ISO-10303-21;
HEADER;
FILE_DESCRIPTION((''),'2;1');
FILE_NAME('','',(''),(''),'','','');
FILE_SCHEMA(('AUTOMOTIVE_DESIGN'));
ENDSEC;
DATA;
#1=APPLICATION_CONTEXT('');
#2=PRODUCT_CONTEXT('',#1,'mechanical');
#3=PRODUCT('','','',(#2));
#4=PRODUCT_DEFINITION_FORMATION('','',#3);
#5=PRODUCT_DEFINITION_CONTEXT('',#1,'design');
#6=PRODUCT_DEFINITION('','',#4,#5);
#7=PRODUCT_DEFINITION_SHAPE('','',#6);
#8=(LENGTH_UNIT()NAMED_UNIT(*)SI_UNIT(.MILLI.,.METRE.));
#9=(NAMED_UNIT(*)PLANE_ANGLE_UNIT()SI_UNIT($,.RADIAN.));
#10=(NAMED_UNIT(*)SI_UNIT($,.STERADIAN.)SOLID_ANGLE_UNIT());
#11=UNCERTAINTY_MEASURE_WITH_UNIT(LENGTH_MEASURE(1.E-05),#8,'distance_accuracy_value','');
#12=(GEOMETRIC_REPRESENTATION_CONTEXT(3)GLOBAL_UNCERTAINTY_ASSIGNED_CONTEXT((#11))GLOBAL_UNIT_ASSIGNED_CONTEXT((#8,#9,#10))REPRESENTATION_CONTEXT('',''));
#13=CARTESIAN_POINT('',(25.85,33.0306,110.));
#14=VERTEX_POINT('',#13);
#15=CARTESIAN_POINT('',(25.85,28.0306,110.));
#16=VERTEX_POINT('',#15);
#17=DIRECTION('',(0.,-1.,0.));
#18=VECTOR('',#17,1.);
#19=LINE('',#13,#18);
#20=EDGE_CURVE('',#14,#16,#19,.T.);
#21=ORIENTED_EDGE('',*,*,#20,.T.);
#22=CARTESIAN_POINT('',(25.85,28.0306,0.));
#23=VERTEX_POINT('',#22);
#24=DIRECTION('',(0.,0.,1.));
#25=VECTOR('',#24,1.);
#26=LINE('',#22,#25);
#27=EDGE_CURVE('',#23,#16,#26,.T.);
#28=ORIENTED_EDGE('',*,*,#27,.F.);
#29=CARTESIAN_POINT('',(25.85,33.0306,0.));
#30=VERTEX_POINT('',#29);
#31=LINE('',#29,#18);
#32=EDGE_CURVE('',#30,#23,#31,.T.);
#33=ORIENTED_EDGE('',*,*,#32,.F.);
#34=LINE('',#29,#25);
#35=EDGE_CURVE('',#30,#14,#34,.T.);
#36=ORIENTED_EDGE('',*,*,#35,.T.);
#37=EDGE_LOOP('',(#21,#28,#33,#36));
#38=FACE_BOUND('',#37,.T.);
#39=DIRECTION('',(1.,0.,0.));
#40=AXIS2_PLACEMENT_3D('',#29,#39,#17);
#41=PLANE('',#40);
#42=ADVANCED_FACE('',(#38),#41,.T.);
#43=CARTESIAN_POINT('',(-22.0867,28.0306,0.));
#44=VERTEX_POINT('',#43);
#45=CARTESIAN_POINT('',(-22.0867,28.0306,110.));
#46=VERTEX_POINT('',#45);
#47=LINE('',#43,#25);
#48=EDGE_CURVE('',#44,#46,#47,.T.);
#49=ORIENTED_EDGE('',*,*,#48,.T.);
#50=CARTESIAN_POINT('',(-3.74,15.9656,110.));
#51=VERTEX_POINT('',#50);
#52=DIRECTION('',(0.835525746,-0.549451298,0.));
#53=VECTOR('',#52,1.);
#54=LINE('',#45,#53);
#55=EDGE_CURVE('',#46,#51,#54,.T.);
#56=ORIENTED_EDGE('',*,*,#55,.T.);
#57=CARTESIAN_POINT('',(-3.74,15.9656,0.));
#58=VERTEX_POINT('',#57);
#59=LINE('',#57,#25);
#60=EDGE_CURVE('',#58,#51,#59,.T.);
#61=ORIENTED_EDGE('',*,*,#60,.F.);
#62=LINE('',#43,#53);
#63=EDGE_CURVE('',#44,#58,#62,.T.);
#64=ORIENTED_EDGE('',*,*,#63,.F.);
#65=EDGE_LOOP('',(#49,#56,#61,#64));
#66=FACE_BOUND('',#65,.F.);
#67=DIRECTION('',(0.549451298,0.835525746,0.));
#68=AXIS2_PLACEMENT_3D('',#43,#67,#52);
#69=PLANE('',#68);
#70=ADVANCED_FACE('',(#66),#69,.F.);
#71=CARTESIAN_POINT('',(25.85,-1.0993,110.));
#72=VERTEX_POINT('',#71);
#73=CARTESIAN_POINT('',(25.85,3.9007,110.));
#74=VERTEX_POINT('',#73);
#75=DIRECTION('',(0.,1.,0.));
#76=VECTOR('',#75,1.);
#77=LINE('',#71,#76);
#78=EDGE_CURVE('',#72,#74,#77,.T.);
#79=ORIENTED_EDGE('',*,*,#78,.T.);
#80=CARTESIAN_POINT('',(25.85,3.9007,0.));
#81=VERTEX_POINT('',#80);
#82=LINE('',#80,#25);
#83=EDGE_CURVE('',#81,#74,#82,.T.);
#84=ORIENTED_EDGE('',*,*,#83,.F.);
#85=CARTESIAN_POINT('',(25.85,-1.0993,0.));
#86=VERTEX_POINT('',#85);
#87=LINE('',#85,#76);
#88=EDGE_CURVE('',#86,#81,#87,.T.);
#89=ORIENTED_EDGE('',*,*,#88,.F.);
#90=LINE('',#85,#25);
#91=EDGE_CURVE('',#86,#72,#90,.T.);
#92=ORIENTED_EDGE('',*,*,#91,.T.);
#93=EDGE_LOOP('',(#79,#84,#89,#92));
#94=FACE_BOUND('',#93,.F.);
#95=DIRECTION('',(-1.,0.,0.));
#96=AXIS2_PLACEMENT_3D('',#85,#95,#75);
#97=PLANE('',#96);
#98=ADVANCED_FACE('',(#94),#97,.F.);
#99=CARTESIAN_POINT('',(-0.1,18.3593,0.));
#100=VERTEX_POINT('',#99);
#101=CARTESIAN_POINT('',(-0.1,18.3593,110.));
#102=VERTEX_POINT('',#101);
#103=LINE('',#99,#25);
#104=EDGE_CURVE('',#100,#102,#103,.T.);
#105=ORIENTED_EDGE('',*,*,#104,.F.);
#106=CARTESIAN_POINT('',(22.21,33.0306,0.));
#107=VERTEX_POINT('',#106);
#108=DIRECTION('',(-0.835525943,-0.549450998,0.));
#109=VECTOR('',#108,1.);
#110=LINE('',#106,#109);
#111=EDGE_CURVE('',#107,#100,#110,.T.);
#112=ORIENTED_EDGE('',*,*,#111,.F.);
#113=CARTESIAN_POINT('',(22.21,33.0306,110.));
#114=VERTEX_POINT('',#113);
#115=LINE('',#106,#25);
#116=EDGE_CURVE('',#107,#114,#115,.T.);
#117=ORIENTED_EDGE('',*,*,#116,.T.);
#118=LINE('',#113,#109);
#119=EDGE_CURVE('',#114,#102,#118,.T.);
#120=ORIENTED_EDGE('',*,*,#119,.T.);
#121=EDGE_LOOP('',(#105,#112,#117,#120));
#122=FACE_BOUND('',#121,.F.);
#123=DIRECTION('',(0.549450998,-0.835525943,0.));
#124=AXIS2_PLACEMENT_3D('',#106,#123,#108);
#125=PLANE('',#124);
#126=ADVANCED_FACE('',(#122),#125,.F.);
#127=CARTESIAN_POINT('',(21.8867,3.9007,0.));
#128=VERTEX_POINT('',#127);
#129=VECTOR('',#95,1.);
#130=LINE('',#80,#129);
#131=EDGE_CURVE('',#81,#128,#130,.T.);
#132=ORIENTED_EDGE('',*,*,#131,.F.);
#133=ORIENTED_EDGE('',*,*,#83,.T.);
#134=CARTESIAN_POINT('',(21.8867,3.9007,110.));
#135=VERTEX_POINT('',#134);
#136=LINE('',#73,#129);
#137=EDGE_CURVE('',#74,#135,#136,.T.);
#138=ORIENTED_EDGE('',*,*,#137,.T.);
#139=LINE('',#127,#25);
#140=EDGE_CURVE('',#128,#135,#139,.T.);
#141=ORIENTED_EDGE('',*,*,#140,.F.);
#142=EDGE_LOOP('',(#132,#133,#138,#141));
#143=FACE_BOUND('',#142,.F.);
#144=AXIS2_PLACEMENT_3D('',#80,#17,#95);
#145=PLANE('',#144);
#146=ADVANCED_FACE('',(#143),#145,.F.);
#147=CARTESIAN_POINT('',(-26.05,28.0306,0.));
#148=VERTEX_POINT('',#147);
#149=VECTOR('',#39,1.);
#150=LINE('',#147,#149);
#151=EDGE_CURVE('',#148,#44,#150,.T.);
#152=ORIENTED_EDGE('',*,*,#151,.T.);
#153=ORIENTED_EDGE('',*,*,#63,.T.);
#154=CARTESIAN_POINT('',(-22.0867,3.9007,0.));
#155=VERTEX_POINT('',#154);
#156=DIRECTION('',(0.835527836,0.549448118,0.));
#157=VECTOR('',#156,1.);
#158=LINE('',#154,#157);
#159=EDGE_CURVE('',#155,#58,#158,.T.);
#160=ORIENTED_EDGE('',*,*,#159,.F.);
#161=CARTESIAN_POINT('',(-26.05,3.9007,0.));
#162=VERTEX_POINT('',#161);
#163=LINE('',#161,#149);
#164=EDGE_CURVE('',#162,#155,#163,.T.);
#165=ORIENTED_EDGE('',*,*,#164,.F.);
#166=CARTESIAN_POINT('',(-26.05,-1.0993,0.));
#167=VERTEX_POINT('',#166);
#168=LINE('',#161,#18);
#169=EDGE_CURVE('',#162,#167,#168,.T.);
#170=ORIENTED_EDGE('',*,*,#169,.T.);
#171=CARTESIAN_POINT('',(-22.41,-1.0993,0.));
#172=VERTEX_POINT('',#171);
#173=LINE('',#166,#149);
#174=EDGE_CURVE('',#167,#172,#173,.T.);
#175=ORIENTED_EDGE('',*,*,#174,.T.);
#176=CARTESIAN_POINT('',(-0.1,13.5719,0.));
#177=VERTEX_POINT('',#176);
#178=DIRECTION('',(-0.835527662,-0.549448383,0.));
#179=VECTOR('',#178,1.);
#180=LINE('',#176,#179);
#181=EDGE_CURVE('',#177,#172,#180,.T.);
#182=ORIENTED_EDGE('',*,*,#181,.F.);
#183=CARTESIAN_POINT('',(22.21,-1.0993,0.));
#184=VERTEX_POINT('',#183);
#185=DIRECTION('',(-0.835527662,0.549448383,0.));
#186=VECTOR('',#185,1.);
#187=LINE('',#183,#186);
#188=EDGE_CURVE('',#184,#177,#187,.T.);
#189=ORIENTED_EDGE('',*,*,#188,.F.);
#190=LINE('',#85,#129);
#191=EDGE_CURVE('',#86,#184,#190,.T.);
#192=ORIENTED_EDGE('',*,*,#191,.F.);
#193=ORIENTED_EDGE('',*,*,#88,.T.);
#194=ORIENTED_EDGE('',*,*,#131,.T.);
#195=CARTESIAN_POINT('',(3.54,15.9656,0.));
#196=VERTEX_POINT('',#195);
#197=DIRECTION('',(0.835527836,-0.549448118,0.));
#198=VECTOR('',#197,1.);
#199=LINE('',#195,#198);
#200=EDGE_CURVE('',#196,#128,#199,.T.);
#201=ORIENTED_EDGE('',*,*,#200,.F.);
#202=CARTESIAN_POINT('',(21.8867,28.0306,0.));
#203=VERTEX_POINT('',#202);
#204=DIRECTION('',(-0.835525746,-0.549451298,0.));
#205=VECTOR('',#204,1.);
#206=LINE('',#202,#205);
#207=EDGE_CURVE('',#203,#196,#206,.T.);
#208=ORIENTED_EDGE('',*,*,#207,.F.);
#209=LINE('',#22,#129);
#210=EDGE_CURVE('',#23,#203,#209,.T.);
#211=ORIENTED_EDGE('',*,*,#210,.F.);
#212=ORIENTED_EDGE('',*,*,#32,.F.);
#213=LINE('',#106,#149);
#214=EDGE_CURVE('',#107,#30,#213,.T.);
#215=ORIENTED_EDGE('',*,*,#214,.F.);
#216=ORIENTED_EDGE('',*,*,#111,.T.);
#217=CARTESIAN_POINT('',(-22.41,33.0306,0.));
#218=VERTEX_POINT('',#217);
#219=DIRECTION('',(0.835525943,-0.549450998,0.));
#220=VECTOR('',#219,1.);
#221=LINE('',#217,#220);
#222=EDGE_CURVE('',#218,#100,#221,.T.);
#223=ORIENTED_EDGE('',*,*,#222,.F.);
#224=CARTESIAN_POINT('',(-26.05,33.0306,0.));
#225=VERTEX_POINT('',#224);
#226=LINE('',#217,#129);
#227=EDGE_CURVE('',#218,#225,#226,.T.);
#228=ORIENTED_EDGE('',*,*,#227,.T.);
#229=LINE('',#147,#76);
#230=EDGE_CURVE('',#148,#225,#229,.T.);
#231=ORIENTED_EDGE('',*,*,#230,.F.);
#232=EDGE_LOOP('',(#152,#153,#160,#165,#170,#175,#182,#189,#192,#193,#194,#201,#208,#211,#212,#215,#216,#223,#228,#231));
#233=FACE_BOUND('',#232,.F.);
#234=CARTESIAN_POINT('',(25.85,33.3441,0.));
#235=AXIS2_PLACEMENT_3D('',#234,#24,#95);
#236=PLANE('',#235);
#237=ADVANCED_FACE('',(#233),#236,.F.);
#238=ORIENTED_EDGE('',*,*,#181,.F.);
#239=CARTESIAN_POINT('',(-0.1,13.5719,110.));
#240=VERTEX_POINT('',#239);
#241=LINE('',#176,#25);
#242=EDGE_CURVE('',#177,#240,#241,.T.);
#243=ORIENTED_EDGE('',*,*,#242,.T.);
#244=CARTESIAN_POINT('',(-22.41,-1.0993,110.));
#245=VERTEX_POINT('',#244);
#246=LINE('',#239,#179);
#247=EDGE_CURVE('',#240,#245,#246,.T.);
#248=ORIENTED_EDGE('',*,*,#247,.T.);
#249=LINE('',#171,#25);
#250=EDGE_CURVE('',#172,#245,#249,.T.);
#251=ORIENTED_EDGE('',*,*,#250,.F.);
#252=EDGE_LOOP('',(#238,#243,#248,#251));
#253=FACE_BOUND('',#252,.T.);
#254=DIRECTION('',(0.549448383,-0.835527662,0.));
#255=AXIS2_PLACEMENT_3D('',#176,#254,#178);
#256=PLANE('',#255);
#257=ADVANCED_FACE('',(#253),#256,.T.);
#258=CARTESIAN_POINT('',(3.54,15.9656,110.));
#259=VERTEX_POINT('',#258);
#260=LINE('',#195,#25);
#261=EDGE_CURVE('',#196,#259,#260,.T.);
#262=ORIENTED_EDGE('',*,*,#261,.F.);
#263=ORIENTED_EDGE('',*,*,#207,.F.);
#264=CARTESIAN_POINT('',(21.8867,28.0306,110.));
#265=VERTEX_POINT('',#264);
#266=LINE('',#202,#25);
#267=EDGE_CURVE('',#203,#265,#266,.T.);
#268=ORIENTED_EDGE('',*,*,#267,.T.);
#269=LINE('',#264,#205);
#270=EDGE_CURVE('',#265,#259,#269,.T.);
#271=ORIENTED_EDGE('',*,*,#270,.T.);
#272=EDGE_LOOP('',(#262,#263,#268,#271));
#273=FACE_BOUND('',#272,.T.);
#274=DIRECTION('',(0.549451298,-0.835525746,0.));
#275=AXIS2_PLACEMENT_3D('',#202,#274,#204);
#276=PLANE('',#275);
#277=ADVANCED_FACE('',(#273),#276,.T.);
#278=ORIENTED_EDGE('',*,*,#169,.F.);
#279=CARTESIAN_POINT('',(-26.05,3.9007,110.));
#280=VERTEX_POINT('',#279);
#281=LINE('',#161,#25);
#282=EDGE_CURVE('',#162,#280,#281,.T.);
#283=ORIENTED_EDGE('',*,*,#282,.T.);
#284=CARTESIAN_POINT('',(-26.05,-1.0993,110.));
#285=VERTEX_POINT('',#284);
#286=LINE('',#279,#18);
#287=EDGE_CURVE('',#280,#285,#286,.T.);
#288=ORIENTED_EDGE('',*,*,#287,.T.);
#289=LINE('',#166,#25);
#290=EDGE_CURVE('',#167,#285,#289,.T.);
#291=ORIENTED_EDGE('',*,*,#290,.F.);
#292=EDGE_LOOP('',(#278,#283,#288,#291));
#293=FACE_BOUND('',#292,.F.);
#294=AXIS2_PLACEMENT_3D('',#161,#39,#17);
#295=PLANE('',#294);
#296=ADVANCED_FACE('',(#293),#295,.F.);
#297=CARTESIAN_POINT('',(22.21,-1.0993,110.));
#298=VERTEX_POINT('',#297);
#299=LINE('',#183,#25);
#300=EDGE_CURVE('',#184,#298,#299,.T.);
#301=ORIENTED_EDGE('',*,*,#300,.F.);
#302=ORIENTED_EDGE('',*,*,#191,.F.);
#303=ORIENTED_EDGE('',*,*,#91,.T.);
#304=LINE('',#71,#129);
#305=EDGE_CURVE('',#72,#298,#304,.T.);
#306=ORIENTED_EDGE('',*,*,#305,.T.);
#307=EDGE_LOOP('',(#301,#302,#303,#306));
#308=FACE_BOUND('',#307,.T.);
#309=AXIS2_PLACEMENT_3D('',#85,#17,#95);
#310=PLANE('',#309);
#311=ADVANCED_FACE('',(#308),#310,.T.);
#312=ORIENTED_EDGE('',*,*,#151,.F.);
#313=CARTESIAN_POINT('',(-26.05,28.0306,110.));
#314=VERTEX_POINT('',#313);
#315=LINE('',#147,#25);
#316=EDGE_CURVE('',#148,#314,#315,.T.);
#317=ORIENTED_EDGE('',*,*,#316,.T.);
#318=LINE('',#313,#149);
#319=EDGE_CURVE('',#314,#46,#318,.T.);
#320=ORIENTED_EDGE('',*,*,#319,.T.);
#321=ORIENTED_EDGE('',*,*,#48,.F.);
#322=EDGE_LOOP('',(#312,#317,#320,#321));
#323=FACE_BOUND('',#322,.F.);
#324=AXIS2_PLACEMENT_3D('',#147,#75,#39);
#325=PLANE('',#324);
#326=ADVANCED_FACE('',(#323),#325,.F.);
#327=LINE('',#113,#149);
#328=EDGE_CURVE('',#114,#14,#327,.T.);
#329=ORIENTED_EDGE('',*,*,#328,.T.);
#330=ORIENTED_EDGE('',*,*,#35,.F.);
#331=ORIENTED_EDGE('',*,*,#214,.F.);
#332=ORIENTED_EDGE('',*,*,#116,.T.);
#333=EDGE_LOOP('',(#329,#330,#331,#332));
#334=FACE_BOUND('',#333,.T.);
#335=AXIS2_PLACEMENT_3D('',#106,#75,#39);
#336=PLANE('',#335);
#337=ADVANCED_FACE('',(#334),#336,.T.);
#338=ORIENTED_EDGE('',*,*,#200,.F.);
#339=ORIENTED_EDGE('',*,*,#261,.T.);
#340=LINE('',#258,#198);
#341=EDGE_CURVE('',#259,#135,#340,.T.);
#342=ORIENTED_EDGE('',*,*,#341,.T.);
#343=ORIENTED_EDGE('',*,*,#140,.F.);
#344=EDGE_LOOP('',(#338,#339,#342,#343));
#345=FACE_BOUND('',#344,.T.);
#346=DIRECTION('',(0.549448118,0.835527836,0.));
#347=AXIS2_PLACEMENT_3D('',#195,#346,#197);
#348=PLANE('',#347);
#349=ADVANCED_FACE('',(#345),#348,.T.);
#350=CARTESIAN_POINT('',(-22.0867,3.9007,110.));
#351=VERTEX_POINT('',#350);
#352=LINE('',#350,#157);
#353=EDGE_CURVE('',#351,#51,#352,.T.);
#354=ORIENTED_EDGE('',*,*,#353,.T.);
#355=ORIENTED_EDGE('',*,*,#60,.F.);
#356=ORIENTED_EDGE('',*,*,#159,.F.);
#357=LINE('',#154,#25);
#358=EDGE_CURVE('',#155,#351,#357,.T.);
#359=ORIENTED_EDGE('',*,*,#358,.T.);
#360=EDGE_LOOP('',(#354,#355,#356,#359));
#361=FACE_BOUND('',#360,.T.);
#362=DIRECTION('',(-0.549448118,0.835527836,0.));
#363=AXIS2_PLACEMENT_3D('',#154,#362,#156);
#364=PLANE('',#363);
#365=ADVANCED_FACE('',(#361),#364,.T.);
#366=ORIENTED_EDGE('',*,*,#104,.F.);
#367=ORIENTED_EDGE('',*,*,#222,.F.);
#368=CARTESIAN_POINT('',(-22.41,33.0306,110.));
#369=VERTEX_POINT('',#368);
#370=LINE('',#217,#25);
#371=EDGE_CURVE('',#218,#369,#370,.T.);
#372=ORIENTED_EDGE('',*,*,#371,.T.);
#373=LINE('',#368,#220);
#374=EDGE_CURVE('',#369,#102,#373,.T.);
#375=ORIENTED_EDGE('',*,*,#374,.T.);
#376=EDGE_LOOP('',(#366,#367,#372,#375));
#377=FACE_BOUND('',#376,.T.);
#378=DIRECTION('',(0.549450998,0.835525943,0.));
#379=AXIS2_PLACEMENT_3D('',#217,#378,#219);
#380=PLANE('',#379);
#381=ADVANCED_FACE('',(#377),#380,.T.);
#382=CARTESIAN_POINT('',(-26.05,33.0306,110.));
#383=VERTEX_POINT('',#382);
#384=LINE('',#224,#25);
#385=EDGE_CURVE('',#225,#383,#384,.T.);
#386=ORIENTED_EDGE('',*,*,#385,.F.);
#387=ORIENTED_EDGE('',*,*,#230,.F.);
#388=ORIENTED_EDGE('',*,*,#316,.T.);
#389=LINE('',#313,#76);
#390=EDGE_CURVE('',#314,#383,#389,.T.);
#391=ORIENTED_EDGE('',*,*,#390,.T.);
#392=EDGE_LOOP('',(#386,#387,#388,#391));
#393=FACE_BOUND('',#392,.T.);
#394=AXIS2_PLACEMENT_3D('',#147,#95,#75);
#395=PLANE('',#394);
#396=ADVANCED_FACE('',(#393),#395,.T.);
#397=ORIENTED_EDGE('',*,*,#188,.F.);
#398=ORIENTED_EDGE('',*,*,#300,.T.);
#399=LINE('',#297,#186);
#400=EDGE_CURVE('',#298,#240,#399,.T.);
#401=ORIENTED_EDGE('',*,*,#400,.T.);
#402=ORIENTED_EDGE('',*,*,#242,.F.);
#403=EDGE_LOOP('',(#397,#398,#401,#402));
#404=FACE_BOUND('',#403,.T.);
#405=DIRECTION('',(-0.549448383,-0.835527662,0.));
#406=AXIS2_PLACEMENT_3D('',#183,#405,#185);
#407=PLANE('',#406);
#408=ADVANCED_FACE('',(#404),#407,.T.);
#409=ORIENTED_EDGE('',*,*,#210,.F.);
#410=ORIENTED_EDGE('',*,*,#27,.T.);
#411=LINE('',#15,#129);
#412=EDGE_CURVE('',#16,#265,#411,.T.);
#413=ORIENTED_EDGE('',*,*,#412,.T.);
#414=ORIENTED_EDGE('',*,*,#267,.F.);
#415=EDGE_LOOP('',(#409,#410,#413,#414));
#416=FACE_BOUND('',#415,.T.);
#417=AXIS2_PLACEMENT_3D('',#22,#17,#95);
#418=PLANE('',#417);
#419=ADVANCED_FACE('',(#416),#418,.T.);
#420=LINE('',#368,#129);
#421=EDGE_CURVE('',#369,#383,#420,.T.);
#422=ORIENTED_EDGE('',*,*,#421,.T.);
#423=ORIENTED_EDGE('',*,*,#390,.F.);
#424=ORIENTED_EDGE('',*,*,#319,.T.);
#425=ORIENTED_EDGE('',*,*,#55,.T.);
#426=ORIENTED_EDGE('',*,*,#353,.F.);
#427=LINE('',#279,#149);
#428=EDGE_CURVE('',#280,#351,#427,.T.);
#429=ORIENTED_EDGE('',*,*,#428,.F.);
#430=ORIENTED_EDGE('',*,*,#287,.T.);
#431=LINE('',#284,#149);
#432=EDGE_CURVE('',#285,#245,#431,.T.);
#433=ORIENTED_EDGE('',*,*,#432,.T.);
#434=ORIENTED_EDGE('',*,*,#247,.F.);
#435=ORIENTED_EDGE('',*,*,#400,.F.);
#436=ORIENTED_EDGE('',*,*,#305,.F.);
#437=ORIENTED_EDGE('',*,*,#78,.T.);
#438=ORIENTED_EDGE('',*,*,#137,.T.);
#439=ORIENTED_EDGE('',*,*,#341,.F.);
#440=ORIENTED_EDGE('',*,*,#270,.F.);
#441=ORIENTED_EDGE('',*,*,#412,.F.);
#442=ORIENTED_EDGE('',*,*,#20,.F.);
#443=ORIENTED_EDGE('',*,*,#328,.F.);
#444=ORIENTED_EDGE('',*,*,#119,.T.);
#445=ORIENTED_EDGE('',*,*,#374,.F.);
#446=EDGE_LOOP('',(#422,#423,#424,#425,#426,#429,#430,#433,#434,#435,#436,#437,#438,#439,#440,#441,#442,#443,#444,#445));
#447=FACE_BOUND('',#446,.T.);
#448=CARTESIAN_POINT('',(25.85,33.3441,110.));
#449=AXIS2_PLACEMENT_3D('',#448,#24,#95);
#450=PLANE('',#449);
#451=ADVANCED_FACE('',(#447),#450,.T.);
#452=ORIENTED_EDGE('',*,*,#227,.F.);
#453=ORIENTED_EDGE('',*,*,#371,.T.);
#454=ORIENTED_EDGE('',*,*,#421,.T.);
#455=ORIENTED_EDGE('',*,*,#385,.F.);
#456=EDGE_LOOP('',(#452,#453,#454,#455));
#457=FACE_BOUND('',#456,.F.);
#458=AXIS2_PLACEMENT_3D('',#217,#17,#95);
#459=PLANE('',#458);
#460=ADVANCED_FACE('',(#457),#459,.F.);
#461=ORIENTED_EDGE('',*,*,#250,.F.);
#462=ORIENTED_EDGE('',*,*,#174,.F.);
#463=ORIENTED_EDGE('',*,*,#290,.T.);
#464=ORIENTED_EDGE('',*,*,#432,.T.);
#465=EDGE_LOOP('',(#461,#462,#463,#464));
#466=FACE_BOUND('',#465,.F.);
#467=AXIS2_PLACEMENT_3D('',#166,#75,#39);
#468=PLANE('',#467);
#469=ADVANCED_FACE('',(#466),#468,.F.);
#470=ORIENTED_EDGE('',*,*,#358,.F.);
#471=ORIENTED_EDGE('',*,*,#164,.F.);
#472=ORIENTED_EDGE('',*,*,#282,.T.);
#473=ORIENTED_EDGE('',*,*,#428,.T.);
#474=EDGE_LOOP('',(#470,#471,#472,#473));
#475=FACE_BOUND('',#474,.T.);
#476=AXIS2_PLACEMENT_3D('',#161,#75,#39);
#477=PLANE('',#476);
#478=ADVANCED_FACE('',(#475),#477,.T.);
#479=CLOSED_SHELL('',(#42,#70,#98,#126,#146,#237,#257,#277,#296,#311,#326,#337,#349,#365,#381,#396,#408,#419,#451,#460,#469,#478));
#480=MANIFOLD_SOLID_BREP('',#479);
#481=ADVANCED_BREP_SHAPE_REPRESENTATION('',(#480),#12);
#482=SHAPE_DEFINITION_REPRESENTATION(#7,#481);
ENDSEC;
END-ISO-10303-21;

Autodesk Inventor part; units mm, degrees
ref_plane "YZ Plane" through (0, 0, 0) normal (1, 0, 0) x (0, 1, 0)
ref_plane "XZ Plane" through (0, 0, 0) normal (0, 1, 0) x (-1, 0, 0)
ref_plane "XY Plane" through (0, 0, 0) normal (0, 0, 1) x (1, 0, 0)
sketch "Sketch1" plane through (0, 0, 0) normal (0, 0, 1) x (1, 0, 0)
  line L0 (25.85, -1.5771) -> (25.85, -14.5436) construction
  line L1 (25.85, 20.3743) -> (25.85, 33.3441) construction
  line L2 (-26.05, 20.3743) -> (-26.05, 33.3441) construction
  line L3 (-26.05, -1.5771) -> (-26.05, -14.5436) construction
  line L4 (25.85, 20.3743) -> (25.85, 33.3441) construction
  point P0 (0, 0)
ref_plane "Work Plane1" through (25.85, 33.3441, 0) normal (0, 0, 1) x (-1, 0, 0)
sketch "Sketch4" plane through (25.85, 33.3441, 0) normal (0, 0, 1) x (-1, 0, 0)
  line L0 (65.2627, -3.6865) -> (0, -3.6865) construction
  line L1 (55.9, 41.8613) -> (55.9, -3.6865) construction
  line L2 (55.9, -3.6865) -> (0, -3.6865) construction
  line L3 (0, 34.4434) -> (51.9, 0.3135) construction
  line L4 (51.9, 34.4434) -> (0, 0.3135) construction
  line L5 (50.8011, 36.1145) -> (-1.0989, 1.9846) construction
  line L6 (52.9989, 32.7724) -> (1.0989, -1.3575) construction
  line L7 (1.0989, 36.1145) -> (52.9989, 1.9846) construction
  line L8 (-1.0989, 32.7724) -> (50.8011, -1.3575) construction
  line L9 (0, 0.3135) -> (51.9, 0.3135) construction
  line L10 (51.9, 0.3135) -> (51.9, 34.4434) construction
  line L11 (51.9, 34.4434) -> (0, 34.4434) construction
  line L12 (0, 34.4434) -> (0, 0.3135) construction
  line L13 (0, 34.4434) -> (0, 29.4434) construction
  line L14 (0, 34.4434) -> (5, 34.4434) construction
  line L15 (0, 29.4434) -> (3.9633, 29.4434)
  line L16 (0, 0.3135) -> (0, 5.3135) construction
  line L17 (0, 0.3135) -> (5, 0.3135) construction
  line L18 (51.9, 0.3135) -> (51.9, 5.3135) construction
  line L19 (51.9, 0.3135) -> (56.9, 0.3135) construction
  line L20 (51.9, 34.4434) -> (51.9, 29.4434) construction
  line L21 (51.9, 34.4434) -> (56.9, 34.4434) construction
  line L22 (51.9, 29.4434) -> (47.9367, 29.4434)
  line L23 (3.9633, 5.3135) -> (22.31, 17.3785)
  line L24 (47.9367, 5.3135) -> (29.59, 17.3785)
  line L25 (47.9367, 29.4434) -> (29.59, 17.3785)
  line L26 (3.64, 34.4434) -> (25.95, 19.7722)
  line L27 (25.95, 19.7722) -> (48.26, 34.4434)
  line L28 (3.64, 0.3135) -> (25.95, 14.9848)
  line L29 (48.26, 0.3135) -> (25.95, 14.9848)
  line L30 (22.31, 17.3785) -> (3.9633, 29.4434)
  line L31 (51.9, 5.3135) -> (51.9, 0.3135)
  line L32 (51.9, 29.4434) -> (51.9, 34.4434)
  line L33 (0, 5.3135) -> (3.9633, 5.3135)
  line L34 (51.9, 5.3135) -> (47.9367, 5.3135)
  line L35 (51.9, 34.4434) -> (48.26, 34.4434)
  line L36 (0, 34.4434) -> (3.64, 34.4434)
  line L37 (0, 34.4434) -> (0, 29.4434)
  line L38 (3.64, 0.3135) -> (0, 0.3135)
  line L39 (48.26, 0.3135) -> (51.9, 0.3135)
  line L40 (0, 0.3135) -> (0, 5.3135)
  point P0 (25.85, 33.3441)
  point P1 (25.95, 17.3785)
  dimension "d17" = 2
  dimension "d18" = 2
  dimension "d19" = 2
  dimension "d20" = 2
  dimension "d21" = 5
  dimension "d22" = 90
  dimension "d23" = 5
  dimension "d24" = 90
  dimension "d25" = 5
  dimension "d26" = 90
  dimension "d27" = 5
  dimension "d28" = 90
extrude "Extrusion1" add sketch "Sketch4" along normal blind 110
